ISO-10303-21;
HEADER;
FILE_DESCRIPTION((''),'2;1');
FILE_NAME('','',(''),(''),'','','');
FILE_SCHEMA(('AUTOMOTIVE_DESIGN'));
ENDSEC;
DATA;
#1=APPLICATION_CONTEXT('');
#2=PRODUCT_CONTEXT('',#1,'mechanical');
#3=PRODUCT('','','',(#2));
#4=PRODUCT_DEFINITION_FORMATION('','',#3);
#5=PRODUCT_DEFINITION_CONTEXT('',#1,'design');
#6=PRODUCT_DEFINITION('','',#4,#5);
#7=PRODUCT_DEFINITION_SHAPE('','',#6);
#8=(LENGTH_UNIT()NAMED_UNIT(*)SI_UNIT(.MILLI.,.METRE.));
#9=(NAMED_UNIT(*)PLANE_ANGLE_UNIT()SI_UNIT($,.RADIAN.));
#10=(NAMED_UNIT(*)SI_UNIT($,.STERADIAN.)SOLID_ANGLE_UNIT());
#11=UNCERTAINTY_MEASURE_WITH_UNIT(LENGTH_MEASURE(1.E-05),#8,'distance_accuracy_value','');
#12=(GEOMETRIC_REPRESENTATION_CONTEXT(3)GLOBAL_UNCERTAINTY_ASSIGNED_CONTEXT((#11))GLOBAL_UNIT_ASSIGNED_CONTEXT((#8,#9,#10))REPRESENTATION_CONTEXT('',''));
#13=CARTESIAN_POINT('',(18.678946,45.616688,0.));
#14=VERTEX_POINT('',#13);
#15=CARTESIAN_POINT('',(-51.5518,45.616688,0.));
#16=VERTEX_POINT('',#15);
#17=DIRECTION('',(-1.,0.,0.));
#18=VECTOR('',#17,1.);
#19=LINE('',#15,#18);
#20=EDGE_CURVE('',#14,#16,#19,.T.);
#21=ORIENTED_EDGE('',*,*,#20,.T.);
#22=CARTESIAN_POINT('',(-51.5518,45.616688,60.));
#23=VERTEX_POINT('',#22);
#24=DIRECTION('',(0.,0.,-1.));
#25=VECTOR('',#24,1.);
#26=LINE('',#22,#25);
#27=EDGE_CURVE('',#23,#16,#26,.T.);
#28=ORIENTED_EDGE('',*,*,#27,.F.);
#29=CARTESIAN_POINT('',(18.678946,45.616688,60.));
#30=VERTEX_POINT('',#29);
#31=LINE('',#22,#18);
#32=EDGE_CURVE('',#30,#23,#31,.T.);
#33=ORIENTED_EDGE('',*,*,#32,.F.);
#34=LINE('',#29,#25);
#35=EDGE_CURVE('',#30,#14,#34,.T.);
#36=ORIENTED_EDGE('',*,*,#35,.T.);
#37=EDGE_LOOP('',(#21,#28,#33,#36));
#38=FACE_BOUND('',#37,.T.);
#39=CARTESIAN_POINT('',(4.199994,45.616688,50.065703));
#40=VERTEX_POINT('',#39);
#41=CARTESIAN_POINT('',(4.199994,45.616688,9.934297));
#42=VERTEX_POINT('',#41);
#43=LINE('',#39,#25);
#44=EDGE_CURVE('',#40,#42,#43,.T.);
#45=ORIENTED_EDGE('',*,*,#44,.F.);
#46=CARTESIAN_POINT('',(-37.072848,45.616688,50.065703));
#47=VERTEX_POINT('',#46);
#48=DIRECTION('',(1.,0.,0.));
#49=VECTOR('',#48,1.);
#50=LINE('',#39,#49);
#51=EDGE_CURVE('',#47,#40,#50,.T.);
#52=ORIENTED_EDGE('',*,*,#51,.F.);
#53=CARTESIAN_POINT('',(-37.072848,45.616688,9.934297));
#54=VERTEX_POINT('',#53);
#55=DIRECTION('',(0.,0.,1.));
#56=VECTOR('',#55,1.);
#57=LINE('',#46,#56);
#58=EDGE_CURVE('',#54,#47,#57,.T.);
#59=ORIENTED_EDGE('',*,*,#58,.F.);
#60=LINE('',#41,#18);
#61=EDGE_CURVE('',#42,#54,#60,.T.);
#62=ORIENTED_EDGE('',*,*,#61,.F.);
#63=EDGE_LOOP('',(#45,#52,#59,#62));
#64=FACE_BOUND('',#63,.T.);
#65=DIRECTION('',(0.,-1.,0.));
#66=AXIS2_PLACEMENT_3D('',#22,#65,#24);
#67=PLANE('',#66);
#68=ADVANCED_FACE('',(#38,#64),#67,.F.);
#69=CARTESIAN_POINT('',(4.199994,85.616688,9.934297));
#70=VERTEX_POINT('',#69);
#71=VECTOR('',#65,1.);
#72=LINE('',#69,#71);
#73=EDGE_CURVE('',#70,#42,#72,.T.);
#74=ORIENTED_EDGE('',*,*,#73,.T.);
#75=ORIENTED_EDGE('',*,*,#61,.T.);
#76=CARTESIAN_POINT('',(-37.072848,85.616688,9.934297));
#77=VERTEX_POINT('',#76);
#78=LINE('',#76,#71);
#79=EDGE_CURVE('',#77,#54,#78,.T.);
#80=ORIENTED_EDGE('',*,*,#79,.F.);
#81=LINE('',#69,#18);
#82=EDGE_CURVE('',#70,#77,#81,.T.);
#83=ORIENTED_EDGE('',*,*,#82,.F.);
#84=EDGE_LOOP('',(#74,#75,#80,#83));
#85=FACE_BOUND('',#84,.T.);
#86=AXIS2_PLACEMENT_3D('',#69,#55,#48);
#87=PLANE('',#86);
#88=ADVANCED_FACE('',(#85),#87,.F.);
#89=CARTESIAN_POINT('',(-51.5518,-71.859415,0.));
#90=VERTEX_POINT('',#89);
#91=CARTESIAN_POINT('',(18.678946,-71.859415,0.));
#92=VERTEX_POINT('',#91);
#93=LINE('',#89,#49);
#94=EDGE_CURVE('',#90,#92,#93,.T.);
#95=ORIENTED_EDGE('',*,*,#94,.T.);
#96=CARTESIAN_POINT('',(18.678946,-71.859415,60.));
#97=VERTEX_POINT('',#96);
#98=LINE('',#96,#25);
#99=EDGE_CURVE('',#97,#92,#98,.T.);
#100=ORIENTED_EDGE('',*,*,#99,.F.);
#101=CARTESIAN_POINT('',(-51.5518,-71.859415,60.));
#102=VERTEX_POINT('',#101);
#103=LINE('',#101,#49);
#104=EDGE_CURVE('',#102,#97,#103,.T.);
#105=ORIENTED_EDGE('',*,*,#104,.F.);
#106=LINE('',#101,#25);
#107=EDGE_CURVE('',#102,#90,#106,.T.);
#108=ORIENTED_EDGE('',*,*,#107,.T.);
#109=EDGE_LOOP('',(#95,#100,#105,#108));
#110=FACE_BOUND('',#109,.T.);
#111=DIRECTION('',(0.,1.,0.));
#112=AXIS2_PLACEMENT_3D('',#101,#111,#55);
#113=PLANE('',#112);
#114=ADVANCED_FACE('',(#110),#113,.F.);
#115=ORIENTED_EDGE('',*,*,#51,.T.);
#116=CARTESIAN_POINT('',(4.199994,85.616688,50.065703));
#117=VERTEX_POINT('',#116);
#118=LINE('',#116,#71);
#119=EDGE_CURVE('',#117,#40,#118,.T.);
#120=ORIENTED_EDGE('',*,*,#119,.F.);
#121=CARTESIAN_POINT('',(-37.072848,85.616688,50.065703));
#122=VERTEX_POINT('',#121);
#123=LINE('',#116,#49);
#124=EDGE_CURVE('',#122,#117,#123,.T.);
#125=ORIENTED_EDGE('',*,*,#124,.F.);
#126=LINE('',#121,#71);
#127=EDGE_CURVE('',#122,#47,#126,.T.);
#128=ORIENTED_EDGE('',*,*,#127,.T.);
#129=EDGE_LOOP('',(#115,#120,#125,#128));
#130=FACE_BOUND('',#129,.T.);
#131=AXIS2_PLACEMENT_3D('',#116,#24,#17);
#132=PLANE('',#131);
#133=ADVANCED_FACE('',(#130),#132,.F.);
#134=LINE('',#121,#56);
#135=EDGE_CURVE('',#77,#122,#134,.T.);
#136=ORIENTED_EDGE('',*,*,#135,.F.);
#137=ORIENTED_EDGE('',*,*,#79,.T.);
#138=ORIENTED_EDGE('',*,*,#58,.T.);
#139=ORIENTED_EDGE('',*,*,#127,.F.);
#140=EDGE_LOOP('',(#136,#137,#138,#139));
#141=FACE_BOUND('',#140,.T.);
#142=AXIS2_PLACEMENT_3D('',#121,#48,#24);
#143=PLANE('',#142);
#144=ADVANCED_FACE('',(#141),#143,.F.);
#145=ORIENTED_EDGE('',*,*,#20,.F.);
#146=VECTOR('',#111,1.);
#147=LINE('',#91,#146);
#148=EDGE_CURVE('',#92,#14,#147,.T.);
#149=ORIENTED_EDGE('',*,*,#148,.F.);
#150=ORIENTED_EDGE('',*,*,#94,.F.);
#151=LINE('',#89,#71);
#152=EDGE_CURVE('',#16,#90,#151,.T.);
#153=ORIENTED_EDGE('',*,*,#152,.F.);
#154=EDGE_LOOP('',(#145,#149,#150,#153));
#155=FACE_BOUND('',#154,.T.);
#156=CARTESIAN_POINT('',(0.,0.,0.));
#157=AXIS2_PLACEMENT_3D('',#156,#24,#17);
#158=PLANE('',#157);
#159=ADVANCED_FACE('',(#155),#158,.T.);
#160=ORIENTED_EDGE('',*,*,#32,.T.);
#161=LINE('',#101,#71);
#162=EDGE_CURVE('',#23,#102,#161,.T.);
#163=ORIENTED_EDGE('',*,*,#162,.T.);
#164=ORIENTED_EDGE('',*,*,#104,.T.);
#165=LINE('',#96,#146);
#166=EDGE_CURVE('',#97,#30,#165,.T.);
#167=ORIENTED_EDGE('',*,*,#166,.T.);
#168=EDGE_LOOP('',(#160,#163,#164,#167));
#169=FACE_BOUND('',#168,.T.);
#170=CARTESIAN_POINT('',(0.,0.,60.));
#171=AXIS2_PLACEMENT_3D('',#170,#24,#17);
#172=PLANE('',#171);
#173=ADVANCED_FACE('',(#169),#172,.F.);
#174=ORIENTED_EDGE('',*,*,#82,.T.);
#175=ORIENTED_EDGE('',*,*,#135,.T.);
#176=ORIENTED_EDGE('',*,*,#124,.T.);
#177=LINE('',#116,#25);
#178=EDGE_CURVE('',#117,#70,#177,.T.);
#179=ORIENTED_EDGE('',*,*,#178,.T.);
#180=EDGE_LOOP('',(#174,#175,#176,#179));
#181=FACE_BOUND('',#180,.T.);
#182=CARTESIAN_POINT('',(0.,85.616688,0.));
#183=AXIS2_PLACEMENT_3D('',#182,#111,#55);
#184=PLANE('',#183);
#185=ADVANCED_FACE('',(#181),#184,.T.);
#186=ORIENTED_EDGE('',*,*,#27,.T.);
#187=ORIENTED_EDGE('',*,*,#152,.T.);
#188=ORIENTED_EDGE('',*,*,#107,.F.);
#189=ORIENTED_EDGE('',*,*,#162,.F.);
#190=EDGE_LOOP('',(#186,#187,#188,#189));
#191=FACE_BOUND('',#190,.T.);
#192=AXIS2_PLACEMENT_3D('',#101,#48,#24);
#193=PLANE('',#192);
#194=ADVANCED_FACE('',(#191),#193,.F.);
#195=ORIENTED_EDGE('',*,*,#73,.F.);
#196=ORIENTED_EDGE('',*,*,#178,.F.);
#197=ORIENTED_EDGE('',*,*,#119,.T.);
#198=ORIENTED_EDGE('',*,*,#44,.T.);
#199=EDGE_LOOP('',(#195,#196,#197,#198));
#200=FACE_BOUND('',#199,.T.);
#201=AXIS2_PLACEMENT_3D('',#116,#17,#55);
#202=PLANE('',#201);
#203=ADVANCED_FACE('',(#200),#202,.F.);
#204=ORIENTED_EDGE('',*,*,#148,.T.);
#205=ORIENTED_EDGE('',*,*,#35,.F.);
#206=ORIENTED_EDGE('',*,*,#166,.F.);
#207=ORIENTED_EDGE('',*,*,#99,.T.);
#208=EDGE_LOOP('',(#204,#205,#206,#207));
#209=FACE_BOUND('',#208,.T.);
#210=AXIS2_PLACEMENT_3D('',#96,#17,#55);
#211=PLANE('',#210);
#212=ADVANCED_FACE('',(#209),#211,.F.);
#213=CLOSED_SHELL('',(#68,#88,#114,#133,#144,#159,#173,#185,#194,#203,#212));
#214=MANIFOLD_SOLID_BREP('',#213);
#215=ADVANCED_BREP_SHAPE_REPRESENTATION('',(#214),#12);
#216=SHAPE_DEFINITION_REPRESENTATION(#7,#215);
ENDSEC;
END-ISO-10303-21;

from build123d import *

# Parameters (mm, degrees)
SKETCH1_W           = 70.230746482
SKETCH1_H           = 117.476103032
BOSS_EXTRUDE1_DEPTH = 60
SKETCH2_W           = 41.272842477
SKETCH2_H           = 40.131406686
BOSS_EXTRUDE2_DEPTH = 40


with BuildPart() as part:
    # Sketch1 → Boss-Extrude1 (new body)
    with BuildSketch(Plane.XY):
        with Locations((-16.436427192, -13.121363424)):
            Rectangle(SKETCH1_W, SKETCH1_H)
    extrude(amount=BOSS_EXTRUDE1_DEPTH)

    # Sketch2 → Boss-Extrude2 (add)
    with BuildSketch(Plane(origin=(0, 45.616688092, 0), x_dir=(1, 0, 0), z_dir=(0, 1, 0))):
        with Locations((-16.436427192, -30)):
            Rectangle(SKETCH2_W, SKETCH2_H)
    extrude(amount=BOSS_EXTRUDE2_DEPTH)


solid = part.part
